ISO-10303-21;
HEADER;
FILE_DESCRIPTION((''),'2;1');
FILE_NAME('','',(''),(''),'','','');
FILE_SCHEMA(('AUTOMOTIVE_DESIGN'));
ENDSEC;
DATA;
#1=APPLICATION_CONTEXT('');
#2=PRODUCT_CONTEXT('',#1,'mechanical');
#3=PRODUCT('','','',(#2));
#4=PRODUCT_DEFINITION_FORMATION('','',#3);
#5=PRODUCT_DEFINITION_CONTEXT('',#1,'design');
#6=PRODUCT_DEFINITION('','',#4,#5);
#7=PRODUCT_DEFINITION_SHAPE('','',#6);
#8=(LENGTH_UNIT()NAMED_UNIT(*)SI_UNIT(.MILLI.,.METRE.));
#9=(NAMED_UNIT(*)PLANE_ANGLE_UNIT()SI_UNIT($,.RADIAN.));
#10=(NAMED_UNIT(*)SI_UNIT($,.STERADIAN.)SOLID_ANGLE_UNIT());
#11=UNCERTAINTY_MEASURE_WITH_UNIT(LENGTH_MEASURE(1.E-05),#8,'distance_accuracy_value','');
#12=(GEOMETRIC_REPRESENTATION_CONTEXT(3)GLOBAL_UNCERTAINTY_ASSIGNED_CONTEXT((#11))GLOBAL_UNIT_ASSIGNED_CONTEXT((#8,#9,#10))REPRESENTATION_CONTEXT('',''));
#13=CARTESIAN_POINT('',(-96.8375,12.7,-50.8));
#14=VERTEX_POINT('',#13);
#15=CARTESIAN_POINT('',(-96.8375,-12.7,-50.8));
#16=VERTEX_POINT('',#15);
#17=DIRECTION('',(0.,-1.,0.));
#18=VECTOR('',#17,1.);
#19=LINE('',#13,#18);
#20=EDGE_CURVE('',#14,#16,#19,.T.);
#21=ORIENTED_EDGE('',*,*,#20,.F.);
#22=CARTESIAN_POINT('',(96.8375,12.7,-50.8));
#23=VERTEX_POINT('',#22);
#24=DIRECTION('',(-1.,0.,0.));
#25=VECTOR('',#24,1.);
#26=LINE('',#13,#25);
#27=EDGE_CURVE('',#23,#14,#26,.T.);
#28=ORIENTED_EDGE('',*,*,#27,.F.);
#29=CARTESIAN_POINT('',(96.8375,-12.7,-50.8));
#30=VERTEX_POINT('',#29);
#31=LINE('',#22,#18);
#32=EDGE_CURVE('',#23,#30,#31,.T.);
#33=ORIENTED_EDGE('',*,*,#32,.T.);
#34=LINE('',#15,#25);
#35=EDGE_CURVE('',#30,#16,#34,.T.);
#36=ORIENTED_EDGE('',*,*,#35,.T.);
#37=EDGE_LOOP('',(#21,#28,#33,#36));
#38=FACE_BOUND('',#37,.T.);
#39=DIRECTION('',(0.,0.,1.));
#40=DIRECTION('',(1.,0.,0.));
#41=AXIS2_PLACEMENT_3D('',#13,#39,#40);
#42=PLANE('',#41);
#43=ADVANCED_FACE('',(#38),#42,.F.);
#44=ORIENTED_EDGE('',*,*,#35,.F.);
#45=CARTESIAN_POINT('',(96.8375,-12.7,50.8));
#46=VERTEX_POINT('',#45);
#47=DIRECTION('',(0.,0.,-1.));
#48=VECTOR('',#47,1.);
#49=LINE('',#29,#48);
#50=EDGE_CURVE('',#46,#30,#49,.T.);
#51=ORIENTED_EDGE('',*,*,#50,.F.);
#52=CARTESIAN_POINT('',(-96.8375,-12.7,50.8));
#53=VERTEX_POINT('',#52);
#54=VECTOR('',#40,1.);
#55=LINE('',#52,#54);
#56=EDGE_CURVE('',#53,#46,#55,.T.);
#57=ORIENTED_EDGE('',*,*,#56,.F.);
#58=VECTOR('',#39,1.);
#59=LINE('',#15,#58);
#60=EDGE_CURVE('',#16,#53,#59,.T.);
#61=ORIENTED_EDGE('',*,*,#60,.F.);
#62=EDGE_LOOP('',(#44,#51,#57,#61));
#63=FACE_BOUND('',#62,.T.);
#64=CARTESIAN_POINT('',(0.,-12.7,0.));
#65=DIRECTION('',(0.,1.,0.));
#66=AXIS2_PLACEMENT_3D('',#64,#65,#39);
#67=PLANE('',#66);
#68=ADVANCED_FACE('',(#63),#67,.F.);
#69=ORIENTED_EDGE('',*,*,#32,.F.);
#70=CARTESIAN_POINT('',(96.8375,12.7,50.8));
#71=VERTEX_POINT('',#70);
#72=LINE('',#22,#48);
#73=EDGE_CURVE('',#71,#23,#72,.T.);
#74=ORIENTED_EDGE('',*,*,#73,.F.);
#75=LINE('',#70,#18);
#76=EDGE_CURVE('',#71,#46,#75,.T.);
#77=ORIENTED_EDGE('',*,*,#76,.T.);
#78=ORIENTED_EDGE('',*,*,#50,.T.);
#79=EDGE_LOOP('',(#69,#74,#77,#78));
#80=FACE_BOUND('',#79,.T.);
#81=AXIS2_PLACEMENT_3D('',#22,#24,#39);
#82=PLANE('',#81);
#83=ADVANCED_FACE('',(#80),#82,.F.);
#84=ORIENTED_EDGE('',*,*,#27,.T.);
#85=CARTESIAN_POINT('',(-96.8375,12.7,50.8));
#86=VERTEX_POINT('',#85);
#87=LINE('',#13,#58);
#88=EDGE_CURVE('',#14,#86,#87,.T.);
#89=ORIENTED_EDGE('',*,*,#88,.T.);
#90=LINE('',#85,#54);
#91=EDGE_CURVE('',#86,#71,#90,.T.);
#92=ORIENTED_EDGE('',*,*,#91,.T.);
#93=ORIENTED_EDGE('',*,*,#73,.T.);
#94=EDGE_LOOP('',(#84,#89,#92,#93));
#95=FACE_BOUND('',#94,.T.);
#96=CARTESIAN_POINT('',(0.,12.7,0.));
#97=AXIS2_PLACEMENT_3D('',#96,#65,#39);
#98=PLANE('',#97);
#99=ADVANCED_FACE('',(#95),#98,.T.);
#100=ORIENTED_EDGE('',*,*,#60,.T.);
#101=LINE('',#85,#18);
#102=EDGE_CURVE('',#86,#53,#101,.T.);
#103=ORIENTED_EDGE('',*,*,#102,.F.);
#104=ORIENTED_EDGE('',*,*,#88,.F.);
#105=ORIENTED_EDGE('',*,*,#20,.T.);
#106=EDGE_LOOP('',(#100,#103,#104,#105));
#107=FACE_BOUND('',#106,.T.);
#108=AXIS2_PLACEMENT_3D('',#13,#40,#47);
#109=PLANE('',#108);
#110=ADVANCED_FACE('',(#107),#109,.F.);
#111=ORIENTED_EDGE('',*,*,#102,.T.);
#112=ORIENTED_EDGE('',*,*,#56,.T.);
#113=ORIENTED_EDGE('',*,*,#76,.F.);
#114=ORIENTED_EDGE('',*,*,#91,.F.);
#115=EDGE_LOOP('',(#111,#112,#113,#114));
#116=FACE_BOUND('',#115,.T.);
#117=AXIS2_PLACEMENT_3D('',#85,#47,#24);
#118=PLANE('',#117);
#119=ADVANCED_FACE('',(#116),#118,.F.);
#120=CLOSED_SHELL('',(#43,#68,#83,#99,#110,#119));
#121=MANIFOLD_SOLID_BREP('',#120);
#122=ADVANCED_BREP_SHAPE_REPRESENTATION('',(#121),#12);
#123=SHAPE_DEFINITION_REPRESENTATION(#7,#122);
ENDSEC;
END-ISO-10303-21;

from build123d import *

# Parameters (mm, degrees)
SKETCH1_W           = 193.675
SKETCH1_H           = 101.6
BOSS_EXTRUDE1_DEPTH = 12.7


with BuildPart() as part:
    # Sketch1 → Boss-Extrude1 (new body, symmetric)
    with BuildSketch(Plane(origin=(0, 0, 0), x_dir=(1, 0, 0), z_dir=(0, 1, 0))):
        Rectangle(SKETCH1_W, SKETCH1_H)
    extrude(amount=BOSS_EXTRUDE1_DEPTH, both=True)


solid = part.part
